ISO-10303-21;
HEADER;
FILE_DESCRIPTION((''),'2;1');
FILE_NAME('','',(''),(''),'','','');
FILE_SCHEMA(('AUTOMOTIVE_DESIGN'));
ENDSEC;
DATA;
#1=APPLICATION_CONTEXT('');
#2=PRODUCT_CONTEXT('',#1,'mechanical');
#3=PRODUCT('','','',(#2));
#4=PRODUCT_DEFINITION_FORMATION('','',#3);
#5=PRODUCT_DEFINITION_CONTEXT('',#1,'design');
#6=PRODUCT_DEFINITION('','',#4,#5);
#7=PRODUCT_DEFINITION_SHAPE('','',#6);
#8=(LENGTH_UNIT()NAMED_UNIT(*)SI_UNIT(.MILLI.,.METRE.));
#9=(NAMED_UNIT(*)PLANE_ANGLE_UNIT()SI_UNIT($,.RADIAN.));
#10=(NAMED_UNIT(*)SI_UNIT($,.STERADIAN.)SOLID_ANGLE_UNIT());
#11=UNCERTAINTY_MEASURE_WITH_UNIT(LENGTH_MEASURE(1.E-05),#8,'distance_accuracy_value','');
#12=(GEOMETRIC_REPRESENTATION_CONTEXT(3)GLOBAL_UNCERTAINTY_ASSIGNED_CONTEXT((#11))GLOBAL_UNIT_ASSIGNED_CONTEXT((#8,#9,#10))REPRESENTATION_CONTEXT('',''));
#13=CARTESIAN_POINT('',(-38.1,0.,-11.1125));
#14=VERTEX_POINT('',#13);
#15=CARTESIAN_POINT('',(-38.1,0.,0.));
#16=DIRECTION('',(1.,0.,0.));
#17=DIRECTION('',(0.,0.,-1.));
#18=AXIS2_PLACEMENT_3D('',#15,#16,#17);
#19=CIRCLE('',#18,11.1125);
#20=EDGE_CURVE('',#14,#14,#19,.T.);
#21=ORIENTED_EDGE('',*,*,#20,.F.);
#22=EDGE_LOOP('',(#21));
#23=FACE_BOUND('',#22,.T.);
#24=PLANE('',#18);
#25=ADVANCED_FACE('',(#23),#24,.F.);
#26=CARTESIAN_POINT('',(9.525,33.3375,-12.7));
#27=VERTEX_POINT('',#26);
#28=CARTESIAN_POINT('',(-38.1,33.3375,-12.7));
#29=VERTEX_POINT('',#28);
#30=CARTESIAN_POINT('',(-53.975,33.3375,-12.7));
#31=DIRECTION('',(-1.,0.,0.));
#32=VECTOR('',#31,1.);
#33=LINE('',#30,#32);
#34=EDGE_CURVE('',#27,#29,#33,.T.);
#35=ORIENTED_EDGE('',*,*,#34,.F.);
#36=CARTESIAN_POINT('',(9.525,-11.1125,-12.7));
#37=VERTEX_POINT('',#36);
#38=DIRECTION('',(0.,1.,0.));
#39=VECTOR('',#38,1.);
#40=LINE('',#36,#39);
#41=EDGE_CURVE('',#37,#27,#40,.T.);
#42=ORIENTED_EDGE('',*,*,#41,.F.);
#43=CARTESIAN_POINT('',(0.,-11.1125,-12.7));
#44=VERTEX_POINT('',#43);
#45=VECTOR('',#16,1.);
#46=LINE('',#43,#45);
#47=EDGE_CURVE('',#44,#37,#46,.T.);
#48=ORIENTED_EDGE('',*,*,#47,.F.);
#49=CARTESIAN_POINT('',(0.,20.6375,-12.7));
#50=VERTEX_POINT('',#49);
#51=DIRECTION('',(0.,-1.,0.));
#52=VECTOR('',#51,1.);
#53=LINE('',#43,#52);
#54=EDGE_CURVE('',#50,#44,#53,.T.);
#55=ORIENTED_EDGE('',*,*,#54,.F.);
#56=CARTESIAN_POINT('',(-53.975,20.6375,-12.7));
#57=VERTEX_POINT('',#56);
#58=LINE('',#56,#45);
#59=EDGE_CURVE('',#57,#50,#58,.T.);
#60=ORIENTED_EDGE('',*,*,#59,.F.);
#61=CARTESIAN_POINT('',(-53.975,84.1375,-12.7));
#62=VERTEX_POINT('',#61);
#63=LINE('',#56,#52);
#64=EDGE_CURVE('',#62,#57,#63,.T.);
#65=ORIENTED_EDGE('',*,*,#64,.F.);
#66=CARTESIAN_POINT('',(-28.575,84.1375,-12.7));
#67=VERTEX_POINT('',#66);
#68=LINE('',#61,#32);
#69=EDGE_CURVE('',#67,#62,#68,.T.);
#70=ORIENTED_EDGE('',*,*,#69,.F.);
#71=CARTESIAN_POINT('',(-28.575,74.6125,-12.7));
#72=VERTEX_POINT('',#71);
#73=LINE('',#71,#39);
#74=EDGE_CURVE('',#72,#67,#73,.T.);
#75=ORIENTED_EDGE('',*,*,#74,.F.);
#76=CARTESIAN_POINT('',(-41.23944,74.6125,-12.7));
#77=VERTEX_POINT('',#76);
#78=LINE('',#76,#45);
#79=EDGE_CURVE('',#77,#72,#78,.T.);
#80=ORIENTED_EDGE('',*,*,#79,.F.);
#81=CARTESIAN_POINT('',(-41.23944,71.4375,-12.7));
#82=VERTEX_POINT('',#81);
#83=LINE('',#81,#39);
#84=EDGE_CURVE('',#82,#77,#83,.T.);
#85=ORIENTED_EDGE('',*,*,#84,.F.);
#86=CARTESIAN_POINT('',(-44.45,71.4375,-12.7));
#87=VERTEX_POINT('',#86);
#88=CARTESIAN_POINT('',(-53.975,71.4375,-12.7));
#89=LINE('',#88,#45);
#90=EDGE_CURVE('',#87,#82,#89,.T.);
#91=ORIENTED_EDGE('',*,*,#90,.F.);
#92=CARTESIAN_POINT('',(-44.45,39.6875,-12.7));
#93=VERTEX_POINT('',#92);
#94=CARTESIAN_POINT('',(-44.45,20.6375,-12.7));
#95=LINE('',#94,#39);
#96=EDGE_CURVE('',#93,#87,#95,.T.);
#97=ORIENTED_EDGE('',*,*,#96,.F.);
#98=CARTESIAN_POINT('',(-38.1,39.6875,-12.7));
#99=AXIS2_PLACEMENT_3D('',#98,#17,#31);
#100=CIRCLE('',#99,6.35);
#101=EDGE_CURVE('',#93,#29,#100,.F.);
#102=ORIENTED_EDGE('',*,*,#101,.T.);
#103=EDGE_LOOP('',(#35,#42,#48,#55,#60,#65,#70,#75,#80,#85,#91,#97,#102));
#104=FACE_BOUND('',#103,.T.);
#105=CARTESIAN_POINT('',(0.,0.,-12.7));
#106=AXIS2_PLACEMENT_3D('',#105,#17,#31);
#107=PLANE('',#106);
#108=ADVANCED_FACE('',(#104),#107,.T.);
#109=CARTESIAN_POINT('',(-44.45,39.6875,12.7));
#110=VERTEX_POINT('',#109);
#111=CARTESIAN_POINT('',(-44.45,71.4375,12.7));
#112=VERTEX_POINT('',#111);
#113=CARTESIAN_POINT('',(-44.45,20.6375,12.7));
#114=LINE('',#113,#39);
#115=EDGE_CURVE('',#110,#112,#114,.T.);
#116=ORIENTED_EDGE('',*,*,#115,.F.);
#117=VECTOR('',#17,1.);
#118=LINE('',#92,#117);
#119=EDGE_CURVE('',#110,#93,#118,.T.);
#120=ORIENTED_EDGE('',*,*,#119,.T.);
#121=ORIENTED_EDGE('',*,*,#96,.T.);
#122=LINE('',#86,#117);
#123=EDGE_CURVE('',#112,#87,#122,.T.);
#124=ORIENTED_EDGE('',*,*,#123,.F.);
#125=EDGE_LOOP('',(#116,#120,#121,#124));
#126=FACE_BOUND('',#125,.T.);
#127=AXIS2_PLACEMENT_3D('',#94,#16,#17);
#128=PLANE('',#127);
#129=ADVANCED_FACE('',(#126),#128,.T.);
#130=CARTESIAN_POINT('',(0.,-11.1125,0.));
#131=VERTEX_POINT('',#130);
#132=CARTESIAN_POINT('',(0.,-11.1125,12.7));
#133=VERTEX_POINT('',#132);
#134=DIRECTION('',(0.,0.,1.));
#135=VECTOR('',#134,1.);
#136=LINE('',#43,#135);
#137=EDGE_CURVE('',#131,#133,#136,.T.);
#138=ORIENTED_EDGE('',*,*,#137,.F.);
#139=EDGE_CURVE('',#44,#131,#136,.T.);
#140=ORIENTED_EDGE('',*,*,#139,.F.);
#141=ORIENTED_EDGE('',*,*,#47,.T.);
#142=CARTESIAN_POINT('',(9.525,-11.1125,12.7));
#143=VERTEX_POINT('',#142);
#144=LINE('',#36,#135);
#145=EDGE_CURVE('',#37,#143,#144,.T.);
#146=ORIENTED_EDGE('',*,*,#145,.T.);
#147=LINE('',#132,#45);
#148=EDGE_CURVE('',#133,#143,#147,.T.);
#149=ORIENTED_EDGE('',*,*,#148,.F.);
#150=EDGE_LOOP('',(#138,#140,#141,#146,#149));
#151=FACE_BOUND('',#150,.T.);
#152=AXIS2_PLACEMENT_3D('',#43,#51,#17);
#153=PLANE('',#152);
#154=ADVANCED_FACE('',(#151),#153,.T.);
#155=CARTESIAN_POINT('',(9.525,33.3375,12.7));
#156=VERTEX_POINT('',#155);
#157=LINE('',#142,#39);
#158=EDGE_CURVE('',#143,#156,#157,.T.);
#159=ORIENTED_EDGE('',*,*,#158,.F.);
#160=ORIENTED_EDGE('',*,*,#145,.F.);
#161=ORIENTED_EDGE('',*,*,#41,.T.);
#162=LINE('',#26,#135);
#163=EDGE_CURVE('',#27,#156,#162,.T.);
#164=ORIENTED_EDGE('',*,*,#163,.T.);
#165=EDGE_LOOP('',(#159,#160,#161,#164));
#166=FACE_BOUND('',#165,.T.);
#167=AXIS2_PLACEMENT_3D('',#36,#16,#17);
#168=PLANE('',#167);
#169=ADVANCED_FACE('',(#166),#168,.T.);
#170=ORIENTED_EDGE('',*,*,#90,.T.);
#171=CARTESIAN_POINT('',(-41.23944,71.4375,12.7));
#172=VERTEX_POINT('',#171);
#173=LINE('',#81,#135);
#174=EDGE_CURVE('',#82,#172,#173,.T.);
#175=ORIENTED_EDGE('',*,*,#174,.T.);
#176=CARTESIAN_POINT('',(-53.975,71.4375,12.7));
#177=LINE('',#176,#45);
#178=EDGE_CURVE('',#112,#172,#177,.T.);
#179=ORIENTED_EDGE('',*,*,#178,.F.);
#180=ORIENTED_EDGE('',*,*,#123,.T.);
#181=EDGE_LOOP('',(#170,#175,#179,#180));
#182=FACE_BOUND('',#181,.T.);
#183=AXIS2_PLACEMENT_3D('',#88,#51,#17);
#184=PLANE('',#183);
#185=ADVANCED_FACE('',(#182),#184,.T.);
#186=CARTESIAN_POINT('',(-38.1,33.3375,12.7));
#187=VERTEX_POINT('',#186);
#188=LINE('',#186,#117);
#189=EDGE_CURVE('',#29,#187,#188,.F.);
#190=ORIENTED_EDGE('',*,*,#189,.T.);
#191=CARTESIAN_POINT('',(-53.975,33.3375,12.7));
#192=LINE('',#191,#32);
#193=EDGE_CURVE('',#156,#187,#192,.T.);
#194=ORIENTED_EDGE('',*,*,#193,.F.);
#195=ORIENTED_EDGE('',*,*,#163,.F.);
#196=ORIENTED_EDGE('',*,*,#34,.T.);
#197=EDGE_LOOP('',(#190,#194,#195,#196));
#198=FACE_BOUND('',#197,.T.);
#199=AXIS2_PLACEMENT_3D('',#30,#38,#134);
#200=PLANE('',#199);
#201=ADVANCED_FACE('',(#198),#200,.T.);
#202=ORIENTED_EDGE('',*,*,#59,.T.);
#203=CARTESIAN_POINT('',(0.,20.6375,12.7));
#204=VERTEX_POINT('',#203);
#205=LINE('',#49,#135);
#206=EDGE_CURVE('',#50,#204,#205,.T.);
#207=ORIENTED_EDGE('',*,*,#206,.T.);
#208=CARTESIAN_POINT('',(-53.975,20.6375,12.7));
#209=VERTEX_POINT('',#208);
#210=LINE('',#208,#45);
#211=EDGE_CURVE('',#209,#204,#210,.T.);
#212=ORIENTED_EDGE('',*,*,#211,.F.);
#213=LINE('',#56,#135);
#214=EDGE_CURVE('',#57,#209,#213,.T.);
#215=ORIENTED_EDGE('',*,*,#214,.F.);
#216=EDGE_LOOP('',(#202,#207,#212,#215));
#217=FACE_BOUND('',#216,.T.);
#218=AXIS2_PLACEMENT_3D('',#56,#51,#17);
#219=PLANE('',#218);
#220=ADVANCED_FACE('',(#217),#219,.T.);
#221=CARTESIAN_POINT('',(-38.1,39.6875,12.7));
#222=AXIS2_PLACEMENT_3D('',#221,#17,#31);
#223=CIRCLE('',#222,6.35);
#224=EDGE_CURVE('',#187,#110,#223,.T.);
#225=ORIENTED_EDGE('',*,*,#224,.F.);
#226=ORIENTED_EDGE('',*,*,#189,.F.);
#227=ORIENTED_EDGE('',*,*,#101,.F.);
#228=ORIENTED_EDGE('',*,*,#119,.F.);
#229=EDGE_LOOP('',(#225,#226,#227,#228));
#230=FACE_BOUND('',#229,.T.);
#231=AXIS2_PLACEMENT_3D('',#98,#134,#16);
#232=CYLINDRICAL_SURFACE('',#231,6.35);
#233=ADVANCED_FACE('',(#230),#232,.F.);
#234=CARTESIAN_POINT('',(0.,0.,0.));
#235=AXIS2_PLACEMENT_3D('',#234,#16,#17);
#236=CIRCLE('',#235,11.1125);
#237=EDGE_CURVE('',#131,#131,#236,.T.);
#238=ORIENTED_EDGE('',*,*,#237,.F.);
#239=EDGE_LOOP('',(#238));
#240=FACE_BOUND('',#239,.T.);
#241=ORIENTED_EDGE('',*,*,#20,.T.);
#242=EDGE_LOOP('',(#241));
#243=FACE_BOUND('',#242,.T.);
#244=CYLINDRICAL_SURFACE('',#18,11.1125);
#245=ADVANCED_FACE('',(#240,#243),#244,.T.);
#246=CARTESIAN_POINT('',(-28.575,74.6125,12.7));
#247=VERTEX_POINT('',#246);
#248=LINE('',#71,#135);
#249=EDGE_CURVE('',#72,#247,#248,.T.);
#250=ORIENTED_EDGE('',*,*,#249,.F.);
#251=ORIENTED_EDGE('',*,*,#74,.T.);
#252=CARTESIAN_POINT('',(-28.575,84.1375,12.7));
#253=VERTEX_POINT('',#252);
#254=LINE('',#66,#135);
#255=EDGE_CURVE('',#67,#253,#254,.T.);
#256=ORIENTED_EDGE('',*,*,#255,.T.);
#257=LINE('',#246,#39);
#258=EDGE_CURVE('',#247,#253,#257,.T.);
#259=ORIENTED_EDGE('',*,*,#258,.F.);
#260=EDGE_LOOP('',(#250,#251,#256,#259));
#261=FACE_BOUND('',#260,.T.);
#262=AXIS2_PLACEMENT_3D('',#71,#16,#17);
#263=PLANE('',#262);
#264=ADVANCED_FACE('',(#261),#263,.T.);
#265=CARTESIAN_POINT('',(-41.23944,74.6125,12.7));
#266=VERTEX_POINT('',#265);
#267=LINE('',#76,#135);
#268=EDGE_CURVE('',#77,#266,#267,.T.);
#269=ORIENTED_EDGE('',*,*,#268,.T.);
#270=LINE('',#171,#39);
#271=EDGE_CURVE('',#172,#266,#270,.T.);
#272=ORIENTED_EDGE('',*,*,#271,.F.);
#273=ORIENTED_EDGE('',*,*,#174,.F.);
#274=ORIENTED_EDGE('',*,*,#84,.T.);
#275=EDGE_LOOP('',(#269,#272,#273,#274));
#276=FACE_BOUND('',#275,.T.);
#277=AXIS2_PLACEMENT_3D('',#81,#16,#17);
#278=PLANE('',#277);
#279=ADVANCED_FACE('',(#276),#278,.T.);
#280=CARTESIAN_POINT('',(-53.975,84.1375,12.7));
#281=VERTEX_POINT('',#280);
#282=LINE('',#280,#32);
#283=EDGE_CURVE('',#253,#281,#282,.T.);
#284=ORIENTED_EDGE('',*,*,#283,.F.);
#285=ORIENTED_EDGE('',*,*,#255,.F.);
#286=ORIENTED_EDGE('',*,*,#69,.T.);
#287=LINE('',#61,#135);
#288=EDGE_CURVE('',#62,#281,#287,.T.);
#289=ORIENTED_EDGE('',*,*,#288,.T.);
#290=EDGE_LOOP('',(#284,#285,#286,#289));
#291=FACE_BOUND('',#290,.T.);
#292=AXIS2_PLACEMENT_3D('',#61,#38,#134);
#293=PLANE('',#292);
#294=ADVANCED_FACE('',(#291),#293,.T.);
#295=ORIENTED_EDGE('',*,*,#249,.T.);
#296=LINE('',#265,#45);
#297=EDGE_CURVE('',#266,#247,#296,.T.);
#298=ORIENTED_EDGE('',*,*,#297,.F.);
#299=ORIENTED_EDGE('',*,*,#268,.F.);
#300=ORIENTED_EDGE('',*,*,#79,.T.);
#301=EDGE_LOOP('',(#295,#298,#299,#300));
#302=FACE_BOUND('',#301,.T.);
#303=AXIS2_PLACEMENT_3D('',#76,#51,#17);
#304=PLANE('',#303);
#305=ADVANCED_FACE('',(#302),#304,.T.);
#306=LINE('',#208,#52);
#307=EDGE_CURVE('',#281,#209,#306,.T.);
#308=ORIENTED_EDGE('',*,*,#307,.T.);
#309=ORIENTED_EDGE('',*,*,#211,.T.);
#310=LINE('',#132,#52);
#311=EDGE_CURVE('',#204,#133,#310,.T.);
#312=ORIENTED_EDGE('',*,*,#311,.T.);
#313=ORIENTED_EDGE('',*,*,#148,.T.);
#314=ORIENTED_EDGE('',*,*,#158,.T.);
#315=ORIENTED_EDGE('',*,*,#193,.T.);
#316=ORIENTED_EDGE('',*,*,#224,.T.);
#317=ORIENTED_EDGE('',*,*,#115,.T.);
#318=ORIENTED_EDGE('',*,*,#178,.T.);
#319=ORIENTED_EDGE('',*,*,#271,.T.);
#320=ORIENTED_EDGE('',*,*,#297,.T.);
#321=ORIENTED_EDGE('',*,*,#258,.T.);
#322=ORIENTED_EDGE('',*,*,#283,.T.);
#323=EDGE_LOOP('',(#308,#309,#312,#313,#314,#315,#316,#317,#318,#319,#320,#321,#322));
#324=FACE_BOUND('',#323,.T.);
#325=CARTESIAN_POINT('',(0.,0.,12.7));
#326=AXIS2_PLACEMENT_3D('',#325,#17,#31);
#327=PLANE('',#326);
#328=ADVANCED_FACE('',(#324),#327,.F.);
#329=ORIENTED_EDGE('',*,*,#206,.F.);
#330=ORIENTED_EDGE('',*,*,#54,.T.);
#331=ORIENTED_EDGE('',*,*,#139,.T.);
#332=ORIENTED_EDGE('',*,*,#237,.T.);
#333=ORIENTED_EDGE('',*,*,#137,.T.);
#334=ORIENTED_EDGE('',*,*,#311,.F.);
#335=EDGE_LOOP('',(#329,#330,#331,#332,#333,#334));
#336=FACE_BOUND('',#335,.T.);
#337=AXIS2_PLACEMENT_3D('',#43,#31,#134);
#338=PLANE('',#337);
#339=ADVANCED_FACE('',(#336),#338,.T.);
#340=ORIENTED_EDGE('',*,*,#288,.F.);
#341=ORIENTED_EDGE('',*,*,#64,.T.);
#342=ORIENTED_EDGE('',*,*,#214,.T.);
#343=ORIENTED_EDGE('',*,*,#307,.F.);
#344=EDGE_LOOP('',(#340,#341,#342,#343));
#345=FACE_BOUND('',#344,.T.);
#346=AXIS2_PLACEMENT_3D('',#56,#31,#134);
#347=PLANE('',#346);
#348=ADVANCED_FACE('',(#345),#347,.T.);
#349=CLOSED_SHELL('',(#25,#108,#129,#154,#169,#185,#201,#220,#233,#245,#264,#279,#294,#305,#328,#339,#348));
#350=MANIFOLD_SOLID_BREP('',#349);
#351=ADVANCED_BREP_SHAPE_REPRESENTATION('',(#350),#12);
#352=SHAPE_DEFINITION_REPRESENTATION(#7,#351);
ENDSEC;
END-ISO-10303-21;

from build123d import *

# Parameters (mm, degrees)
SKETCH1_R                = 11.1125
BOSS_EXTRUDE1_DEPTH      = 38.1
BOSS_EXTRUDE2_DEPTH      = 12.7
BOSS_EXTRUDE2_DEPTH_BACK = 12.7
SKETCH2_W                = 9.525
SKETCH2_H                = 31.75
BOSS_EXTRUDE3_DEPTH      = 12.7
BOSS_EXTRUDE3_DEPTH_BACK = 12.7
SKETCH3_W                = 63.5
SKETCH3_H                = 12.7
BOSS_EXTRUDE4_DEPTH      = 12.7
BOSS_EXTRUDE4_DEPTH_BACK = 12.7
SKETCH4_W                = 9.525
SKETCH4_H                = 63.5
BOSS_EXTRUDE5_DEPTH      = 12.7
BOSS_EXTRUDE5_DEPTH_BACK = 12.7
FILLET1_R                = 6.35


with BuildPart() as part:
    # Sketch1 → Boss-Extrude1 (new body)
    with BuildSketch(Plane(origin=(0, 0, 0), x_dir=(0, 0, -1), z_dir=(1, 0, 0))):
        Circle(SKETCH1_R)
    extrude(amount=-BOSS_EXTRUDE1_DEPTH)

    # Sketch2 → Boss-Extrude2 (add, two sides: drawn at the far end of the back side and taken through both)
    with BuildSketch(Plane.XY.offset(-BOSS_EXTRUDE2_DEPTH_BACK)):
        with Locations((4.7625, 4.7625)):
            Rectangle(SKETCH2_W, SKETCH2_H)
    extrude(amount=BOSS_EXTRUDE2_DEPTH + BOSS_EXTRUDE2_DEPTH_BACK)

    # Sketch3 → Boss-Extrude3 (add, two sides: drawn at the far end of the back side and taken through both)
    with BuildSketch(Plane.XY.offset(-BOSS_EXTRUDE3_DEPTH_BACK)):
        with Locations((-22.225, 26.9875)):
            Rectangle(SKETCH3_W, SKETCH3_H)
    extrude(amount=BOSS_EXTRUDE3_DEPTH + BOSS_EXTRUDE3_DEPTH_BACK)

    # Sketch4 → Boss-Extrude4 (add, two sides: drawn at the far end of the back side and taken through both)
    with BuildSketch(Plane.XY.offset(-BOSS_EXTRUDE4_DEPTH_BACK)):
        with Locations((-49.2125, 52.3875)):
            Rectangle(SKETCH4_W, SKETCH4_H)
    extrude(amount=BOSS_EXTRUDE4_DEPTH + BOSS_EXTRUDE4_DEPTH_BACK)

    # Sketch5 → Boss-Extrude5 (add, two sides: drawn at the far end of the back side and taken through both)
    with BuildSketch(Plane.XY.offset(-BOSS_EXTRUDE5_DEPTH_BACK)):
        Polygon((-53.975, 71.4375), (-41.23944, 71.4375), (-41.23944, 74.6125), (-28.575, 74.6125), (-28.575, 84.1375), (-53.975, 84.1375), align=None)
    extrude(amount=BOSS_EXTRUDE5_DEPTH + BOSS_EXTRUDE5_DEPTH_BACK)

    # Fillet1
    fillet1_edges = [part.edges().sort_by_distance(p)[0] for p in [
        (-44.45, 33.3375, 0),
    ]]
    fillet(fillet1_edges, radius=FILLET1_R)


solid = part.part
